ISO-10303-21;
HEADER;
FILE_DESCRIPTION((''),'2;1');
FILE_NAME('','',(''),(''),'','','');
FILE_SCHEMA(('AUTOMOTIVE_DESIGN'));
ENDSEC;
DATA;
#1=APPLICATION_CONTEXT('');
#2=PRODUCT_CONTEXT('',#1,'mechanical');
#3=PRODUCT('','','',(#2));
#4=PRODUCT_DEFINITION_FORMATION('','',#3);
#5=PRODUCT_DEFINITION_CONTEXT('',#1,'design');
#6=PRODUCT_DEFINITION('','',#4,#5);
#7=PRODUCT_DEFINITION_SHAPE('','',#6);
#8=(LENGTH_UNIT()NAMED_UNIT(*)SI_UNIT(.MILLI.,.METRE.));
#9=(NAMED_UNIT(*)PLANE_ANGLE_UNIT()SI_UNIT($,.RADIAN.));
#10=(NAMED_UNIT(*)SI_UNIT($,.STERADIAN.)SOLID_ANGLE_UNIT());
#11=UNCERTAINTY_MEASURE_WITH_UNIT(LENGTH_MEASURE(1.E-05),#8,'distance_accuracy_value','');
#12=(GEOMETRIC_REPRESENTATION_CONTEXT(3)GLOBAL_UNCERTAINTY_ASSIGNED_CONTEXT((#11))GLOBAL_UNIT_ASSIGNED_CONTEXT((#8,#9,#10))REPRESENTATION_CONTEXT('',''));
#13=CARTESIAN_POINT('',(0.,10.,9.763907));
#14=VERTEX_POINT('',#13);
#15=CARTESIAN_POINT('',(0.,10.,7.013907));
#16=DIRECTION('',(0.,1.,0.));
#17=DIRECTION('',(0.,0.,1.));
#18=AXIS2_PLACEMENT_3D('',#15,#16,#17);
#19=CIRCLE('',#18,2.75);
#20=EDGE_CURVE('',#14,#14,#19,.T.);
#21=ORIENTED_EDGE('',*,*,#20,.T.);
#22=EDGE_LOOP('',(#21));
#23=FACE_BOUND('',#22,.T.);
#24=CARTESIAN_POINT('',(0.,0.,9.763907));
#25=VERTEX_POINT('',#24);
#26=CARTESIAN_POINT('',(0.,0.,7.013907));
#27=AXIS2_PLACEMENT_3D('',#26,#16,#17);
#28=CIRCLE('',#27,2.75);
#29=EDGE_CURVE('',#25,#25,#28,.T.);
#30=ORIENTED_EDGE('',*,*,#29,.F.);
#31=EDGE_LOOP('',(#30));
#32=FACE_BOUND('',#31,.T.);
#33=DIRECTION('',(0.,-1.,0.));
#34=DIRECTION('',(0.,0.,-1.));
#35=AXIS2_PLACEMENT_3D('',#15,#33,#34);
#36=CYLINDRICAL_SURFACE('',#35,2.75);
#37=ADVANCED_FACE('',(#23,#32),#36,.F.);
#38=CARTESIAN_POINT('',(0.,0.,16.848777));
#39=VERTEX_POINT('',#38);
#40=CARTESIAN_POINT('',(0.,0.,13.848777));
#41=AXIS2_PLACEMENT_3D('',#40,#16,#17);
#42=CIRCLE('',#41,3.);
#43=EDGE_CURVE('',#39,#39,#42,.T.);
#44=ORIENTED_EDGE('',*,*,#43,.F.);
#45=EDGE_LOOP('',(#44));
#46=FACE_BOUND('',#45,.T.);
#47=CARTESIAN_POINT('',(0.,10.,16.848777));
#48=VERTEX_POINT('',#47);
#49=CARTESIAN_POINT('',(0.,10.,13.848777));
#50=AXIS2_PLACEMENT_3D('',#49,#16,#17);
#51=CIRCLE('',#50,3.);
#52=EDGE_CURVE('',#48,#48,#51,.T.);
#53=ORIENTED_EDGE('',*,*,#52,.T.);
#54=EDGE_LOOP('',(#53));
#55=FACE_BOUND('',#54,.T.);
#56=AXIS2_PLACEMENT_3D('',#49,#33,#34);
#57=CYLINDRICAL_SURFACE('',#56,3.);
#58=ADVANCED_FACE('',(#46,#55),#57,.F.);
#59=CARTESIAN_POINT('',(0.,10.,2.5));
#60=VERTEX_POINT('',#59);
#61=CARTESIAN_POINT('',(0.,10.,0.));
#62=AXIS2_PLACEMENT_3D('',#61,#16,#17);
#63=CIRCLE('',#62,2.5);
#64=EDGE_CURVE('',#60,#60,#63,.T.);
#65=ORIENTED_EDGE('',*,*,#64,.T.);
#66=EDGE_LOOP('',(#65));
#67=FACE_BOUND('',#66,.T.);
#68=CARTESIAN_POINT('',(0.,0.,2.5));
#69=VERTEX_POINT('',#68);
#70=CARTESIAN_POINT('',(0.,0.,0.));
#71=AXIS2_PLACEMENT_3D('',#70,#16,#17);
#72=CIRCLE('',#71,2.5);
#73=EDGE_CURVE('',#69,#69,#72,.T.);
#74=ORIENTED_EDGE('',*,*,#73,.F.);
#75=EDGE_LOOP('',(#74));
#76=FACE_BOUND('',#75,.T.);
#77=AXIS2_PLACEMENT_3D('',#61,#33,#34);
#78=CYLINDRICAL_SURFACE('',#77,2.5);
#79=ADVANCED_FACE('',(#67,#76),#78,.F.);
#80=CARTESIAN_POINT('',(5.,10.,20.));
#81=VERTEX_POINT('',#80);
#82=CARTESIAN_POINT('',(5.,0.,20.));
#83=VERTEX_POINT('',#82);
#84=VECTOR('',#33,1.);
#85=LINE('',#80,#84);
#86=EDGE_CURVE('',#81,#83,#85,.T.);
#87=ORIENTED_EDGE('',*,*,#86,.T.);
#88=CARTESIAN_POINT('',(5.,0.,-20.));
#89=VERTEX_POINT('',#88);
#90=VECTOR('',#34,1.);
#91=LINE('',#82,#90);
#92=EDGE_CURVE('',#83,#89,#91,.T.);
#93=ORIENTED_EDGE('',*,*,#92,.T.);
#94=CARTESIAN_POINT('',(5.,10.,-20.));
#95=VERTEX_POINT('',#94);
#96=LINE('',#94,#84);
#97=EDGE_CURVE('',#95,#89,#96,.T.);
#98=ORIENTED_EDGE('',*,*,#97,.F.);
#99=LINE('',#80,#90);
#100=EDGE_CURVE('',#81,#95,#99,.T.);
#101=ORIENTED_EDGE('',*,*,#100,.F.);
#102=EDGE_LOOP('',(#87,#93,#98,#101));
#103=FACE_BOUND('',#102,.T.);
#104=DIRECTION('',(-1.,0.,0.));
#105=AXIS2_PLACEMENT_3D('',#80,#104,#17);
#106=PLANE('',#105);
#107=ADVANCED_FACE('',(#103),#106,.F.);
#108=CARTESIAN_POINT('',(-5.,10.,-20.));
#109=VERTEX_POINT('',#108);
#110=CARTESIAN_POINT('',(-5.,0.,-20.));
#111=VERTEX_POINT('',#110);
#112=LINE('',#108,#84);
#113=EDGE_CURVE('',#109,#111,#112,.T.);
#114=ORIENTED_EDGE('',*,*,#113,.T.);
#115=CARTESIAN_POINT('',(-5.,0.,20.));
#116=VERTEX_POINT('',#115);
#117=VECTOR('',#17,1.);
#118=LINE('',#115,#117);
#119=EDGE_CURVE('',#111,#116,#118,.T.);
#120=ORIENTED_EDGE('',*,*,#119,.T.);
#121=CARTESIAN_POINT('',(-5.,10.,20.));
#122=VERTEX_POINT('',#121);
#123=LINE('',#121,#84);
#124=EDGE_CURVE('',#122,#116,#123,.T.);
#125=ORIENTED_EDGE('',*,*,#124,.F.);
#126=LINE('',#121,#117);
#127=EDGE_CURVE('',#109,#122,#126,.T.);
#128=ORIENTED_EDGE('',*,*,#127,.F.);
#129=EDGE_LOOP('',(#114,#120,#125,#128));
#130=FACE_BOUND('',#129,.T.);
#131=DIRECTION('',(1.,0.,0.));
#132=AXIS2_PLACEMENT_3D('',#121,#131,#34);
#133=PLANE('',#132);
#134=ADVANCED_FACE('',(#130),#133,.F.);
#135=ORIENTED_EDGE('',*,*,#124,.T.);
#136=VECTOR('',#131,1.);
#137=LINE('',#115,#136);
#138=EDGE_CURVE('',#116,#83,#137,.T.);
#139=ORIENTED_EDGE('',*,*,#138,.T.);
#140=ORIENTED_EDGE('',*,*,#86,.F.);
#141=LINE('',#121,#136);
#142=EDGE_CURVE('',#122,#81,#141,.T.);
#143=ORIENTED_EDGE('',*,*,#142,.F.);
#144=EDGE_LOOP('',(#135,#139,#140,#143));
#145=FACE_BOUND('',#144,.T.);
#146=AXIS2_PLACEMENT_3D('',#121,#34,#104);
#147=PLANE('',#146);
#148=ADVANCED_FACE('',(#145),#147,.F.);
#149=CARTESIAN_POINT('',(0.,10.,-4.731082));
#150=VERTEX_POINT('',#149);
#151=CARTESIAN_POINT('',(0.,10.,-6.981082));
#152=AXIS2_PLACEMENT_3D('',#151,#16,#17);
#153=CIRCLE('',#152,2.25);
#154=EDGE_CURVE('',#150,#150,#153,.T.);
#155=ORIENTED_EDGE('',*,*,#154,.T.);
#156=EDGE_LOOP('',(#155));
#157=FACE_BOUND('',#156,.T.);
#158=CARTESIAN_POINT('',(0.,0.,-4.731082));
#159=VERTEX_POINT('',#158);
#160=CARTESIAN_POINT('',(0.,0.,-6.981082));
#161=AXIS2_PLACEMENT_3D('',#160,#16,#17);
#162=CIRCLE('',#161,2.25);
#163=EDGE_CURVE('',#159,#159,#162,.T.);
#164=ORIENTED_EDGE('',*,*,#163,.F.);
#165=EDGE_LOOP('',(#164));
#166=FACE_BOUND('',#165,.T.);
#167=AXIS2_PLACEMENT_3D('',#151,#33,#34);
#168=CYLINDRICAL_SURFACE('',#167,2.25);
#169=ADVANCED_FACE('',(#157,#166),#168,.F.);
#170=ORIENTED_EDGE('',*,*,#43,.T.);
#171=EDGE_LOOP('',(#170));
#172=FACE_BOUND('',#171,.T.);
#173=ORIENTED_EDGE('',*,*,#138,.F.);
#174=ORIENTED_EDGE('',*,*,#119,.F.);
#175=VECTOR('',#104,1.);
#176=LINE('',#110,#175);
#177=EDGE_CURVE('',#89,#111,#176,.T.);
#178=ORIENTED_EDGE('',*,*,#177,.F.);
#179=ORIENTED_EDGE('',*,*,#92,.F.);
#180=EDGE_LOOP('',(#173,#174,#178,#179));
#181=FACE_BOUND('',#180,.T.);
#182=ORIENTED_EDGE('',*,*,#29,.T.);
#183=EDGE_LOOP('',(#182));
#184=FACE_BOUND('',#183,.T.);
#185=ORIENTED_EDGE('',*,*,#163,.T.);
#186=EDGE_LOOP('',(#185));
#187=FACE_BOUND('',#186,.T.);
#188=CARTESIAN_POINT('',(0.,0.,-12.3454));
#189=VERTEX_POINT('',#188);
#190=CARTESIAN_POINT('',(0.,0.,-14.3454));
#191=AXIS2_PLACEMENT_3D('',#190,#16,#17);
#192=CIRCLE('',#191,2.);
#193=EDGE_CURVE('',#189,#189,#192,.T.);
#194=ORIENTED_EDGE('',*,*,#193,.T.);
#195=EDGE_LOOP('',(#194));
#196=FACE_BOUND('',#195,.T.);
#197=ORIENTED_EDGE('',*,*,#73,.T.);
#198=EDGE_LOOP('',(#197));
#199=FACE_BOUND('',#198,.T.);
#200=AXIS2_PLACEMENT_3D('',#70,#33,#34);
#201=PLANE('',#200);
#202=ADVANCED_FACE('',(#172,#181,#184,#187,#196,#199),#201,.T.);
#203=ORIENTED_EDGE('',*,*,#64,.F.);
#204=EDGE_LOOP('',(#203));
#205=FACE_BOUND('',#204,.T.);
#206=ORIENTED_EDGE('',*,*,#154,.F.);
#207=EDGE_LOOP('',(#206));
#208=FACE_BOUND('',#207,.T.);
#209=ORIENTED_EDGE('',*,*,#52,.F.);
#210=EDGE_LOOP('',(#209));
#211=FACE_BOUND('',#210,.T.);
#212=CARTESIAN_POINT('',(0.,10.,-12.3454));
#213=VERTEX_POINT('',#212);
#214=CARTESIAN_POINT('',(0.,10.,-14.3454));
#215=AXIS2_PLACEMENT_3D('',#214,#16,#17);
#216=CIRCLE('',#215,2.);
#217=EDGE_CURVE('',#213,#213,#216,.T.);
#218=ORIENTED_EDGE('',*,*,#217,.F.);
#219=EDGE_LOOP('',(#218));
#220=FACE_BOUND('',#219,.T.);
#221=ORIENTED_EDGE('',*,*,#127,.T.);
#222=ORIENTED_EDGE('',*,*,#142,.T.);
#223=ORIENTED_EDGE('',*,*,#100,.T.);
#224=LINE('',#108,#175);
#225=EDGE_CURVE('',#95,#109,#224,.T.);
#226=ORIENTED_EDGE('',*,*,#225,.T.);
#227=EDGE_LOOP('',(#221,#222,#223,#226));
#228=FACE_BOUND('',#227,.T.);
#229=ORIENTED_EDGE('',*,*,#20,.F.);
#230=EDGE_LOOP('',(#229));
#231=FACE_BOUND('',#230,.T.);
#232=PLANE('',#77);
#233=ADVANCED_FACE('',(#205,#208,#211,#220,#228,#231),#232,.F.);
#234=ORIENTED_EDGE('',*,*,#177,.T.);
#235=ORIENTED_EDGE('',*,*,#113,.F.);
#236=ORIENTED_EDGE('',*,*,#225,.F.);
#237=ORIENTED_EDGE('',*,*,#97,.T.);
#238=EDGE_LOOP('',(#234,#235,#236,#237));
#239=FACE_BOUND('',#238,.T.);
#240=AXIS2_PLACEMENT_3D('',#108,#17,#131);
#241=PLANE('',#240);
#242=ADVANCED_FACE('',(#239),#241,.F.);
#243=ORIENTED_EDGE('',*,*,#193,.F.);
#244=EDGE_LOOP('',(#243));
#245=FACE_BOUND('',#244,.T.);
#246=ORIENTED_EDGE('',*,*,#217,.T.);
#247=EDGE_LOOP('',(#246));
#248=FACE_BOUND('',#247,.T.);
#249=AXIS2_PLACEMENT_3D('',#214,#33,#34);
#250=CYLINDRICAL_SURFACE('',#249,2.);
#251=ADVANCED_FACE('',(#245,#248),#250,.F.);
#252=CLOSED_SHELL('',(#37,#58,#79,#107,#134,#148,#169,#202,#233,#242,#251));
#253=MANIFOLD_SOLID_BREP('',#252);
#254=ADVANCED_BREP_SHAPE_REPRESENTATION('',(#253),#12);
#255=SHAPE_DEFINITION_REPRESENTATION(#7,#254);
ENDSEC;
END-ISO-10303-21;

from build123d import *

# Parameters (mm, degrees)
SKETCH1_W           = 10
SKETCH1_H           = 40
SKETCH1_R           = 2.5
SKETCH1_R_2         = 2.25
SKETCH1_R_3         = 2.75
SKETCH1_R_4         = 2
SKETCH1_R_5         = 3
BOSS_EXTRUDE1_DEPTH = 10


with BuildPart() as part:
    # Sketch1 → Boss-Extrude1 (new body)
    with BuildSketch(Plane(origin=(0, 0, 0), x_dir=(1, 0, 0), z_dir=(0, 1, 0))):
        Rectangle(SKETCH1_W, SKETCH1_H)
        Circle(SKETCH1_R, mode=Mode.SUBTRACT)
        with Locations((0, 6.981082258)):
            Circle(SKETCH1_R_2, mode=Mode.SUBTRACT)
        with Locations((0, -7.013907219)):
            Circle(SKETCH1_R_3, mode=Mode.SUBTRACT)
        with Locations((0, 14.345399557)):
            Circle(SKETCH1_R_4, mode=Mode.SUBTRACT)
        with Locations((0, -13.848776929)):
            Circle(SKETCH1_R_5, mode=Mode.SUBTRACT)
    extrude(amount=BOSS_EXTRUDE1_DEPTH)


solid = part.part
